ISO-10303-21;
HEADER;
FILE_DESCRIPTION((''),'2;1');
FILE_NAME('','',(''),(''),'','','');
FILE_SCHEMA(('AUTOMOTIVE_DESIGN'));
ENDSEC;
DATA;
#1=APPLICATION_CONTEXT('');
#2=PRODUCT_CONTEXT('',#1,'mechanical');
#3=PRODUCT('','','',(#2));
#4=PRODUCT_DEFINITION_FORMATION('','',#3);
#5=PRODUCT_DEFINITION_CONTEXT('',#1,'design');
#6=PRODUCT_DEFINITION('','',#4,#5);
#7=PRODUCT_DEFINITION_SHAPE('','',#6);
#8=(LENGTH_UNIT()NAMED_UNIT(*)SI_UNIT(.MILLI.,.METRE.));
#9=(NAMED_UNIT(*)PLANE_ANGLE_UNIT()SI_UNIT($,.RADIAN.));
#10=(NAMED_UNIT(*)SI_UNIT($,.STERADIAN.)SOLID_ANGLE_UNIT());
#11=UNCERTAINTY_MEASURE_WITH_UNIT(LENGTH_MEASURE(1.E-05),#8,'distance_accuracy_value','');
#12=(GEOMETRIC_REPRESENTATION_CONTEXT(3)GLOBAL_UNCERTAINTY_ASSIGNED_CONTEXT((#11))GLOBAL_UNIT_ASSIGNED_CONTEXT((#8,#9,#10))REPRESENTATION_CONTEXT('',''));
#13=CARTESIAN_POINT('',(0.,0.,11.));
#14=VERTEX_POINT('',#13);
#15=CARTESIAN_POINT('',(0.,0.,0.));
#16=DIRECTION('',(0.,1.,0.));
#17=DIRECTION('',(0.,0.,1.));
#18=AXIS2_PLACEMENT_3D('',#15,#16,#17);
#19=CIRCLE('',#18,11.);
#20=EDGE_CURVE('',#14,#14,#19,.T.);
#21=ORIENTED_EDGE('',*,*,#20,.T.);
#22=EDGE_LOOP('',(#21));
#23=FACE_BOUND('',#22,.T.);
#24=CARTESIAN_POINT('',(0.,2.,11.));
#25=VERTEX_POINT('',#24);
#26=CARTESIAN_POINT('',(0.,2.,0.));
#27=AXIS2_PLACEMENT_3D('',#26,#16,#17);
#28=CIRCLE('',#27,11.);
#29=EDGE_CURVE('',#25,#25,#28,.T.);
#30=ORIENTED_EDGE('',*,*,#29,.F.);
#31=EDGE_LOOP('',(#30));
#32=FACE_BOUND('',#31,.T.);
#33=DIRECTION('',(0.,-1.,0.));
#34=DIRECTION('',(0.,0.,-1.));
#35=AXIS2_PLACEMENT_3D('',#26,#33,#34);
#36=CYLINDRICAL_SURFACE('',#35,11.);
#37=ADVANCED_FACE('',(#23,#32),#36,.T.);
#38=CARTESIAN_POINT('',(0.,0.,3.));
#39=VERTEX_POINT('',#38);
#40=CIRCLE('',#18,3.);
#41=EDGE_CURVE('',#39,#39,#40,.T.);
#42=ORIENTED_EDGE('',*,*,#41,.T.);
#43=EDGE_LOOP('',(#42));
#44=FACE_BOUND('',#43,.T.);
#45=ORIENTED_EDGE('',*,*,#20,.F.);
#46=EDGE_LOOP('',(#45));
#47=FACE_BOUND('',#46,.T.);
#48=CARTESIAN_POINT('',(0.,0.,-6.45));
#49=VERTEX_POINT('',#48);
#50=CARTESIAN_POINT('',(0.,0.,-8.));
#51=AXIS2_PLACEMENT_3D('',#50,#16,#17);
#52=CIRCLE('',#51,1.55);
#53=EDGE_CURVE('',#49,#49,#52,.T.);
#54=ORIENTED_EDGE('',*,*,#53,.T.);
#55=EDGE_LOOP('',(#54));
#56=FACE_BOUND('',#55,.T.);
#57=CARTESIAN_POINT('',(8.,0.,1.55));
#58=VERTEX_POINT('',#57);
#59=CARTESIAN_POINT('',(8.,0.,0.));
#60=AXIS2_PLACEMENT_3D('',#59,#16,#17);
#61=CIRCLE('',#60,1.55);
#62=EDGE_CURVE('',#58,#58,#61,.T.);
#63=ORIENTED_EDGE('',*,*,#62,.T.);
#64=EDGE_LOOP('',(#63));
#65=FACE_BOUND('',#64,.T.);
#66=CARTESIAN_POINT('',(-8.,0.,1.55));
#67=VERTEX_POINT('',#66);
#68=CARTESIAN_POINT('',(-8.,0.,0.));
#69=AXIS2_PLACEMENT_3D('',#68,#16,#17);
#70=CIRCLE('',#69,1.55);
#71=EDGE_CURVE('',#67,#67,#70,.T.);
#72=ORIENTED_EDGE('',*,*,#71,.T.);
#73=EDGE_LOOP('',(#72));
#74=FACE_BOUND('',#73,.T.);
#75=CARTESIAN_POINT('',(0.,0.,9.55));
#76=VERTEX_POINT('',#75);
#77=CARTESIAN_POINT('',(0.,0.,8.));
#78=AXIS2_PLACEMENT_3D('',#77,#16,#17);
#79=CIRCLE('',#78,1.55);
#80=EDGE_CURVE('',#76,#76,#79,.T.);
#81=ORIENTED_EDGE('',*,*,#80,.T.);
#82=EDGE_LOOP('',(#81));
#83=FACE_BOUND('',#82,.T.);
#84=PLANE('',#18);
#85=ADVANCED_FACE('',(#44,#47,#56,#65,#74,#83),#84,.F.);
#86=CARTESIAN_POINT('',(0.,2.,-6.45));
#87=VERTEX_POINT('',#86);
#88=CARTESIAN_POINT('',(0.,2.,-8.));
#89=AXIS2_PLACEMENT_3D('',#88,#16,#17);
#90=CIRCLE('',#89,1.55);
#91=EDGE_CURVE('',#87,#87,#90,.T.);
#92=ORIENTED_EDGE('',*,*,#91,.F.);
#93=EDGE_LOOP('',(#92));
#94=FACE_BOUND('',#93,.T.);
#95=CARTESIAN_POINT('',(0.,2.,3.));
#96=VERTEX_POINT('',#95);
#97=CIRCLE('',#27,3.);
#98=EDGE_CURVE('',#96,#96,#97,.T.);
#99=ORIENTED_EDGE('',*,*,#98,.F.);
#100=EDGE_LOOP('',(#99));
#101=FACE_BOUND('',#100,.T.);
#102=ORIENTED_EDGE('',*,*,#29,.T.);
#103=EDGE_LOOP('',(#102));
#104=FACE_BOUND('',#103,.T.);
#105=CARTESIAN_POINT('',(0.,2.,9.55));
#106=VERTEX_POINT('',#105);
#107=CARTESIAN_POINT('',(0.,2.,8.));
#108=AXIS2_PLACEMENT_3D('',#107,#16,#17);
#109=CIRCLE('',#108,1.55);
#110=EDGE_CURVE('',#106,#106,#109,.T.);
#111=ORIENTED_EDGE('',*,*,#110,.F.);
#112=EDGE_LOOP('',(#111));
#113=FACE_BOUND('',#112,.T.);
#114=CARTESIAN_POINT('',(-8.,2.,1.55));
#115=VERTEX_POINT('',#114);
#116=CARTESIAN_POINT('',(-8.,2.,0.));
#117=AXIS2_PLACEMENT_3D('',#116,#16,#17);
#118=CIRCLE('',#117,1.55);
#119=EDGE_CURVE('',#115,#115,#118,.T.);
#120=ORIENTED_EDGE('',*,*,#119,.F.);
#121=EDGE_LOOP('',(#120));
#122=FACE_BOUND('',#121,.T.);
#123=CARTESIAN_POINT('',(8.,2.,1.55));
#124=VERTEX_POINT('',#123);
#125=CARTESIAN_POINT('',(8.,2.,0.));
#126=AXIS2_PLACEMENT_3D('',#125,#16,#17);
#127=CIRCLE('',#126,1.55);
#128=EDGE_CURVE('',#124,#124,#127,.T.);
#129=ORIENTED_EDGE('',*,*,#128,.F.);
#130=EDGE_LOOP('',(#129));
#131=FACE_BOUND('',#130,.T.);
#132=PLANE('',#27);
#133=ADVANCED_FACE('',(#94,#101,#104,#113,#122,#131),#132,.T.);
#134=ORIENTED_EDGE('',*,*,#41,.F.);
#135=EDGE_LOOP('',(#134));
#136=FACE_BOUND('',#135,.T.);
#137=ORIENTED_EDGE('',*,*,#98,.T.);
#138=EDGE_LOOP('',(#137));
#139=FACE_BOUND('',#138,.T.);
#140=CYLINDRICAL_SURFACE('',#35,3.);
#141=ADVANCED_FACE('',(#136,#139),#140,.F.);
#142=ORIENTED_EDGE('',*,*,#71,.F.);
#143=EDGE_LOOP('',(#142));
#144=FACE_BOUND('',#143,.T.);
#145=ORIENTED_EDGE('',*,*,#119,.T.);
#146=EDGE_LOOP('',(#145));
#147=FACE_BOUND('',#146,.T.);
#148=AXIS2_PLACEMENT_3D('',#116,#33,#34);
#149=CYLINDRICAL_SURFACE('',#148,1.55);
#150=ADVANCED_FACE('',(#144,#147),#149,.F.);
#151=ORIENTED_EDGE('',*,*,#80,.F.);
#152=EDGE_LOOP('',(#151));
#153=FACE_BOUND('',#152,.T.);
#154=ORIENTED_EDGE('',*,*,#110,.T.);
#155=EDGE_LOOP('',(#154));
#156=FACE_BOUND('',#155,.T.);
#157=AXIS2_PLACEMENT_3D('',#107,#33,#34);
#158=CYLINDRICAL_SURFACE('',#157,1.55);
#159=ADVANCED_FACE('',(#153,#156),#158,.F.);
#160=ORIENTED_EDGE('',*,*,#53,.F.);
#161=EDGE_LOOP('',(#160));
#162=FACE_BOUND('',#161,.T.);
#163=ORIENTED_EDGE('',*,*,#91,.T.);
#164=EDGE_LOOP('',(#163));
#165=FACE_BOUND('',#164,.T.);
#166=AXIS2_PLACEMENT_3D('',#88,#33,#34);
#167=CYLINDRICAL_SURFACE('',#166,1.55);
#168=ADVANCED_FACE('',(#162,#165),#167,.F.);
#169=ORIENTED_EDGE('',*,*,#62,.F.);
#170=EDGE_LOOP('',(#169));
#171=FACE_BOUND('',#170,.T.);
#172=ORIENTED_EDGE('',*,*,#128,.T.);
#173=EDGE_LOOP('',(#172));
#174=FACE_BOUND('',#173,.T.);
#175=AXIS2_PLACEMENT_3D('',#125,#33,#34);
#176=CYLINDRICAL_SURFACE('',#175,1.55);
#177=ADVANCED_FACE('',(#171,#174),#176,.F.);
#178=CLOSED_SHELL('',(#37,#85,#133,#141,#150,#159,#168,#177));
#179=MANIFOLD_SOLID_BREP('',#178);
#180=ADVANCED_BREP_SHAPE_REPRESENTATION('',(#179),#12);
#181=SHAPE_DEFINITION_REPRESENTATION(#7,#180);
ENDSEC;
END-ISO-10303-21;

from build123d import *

# Parameters (mm, degrees)
SKETCH_1_R      = 11
SKETCH_1_R_2    = 1.55
SKETCH_1_R_3    = 3
EXTRUDE_1_DEPTH = 2


with BuildPart() as part:
    # 草圖1 → 填料-伸長1 (new body)
    with BuildSketch(Plane(origin=(0, 0, 0), x_dir=(1, 0, 0), z_dir=(0, 1, 0))):
        with Locations(Location((0, 0, 0), (0, 0, 270))):
            Circle(SKETCH_1_R)
        with Locations(Location((0, 8, 0), (0, 0, 270))):
            Circle(SKETCH_1_R_2, mode=Mode.SUBTRACT)
        with Locations(Location((8, 0, 0), (0, 0, 270))):
            Circle(SKETCH_1_R_2, mode=Mode.SUBTRACT)
        with Locations(Location((0, -8, 0), (0, 0, 270))):
            Circle(SKETCH_1_R_2, mode=Mode.SUBTRACT)
        with Locations(Location((-8, 0, 0), (0, 0, 270))):
            Circle(SKETCH_1_R_2, mode=Mode.SUBTRACT)
        with Locations(Location((0, 0, 0), (0, 0, 270))):
            Circle(SKETCH_1_R_3, mode=Mode.SUBTRACT)
    extrude(amount=EXTRUDE_1_DEPTH)


solid = part.part
